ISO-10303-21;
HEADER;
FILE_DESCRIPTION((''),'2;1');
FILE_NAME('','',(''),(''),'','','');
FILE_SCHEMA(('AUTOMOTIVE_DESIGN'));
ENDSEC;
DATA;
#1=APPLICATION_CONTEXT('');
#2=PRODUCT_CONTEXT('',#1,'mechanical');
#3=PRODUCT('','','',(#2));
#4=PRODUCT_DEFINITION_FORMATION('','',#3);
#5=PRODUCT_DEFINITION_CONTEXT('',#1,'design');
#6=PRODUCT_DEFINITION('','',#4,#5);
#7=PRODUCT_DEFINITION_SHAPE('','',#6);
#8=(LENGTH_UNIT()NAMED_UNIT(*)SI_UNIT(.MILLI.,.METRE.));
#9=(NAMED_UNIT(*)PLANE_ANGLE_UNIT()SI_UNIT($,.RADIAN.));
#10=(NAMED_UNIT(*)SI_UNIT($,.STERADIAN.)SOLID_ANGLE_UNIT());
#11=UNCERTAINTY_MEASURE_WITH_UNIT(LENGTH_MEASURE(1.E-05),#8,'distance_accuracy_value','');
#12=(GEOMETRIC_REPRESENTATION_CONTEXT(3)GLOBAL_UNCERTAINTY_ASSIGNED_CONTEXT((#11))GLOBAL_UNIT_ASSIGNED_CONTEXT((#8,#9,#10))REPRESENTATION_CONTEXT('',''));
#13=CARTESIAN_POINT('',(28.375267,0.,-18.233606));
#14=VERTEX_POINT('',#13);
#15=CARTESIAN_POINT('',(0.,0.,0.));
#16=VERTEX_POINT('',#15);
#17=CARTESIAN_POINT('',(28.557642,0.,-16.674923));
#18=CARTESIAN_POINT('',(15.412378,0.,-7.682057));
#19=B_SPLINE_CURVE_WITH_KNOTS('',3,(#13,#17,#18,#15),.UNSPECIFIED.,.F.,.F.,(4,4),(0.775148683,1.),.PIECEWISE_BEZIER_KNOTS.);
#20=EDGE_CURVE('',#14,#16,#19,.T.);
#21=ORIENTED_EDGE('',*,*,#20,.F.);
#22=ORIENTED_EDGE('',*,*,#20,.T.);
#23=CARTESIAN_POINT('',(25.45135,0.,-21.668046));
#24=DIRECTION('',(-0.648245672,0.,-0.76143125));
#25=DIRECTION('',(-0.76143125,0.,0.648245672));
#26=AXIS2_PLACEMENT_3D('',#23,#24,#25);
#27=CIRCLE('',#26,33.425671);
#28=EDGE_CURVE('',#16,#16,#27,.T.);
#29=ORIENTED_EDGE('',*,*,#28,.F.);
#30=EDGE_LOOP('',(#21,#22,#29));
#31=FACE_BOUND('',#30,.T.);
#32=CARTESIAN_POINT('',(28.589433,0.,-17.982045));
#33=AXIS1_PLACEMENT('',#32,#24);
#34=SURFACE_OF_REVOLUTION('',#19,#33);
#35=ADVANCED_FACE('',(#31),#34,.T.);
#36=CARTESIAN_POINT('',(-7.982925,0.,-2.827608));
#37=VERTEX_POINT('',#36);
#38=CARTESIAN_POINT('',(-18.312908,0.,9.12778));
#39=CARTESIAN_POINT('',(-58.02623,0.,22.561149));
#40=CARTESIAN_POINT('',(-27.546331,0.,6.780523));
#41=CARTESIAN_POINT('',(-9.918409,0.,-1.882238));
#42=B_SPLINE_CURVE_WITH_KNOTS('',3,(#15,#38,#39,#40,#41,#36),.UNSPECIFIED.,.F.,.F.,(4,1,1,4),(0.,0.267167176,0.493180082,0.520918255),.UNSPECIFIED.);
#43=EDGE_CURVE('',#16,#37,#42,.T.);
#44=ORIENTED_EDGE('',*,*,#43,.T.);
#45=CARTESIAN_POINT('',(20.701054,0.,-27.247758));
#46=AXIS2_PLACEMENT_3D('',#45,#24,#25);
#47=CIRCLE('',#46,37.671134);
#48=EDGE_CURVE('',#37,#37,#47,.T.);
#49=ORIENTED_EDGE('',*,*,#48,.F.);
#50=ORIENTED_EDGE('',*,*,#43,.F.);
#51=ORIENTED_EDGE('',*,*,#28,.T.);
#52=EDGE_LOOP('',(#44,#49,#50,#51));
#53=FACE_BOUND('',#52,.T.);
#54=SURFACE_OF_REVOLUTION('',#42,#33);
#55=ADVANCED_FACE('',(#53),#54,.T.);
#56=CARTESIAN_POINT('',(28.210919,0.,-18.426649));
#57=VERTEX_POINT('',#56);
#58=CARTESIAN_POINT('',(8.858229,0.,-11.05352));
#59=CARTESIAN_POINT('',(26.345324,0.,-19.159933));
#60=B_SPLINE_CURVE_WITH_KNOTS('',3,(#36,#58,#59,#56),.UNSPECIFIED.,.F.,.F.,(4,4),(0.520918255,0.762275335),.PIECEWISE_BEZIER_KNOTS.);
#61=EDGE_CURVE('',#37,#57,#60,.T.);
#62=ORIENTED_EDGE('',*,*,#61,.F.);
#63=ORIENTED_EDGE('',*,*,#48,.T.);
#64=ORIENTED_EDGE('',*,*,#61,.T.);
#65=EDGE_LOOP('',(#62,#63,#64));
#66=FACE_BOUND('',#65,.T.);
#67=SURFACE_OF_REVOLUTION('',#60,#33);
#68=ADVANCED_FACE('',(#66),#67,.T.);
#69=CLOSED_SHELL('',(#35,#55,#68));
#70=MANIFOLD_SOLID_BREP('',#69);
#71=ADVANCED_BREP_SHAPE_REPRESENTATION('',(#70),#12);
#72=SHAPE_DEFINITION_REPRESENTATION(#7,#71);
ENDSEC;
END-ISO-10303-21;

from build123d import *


with BuildPart() as f1:
    # F0 (on Front) → F1 (revolve)
    with BuildSketch(Plane.XZ):
        with BuildLine():
            add(Edge.make_bspline(
                [(28.3752667298, -18.2336055812), (28.5576422906, -16.674923196), (15.4123778535, -7.6820567145), (0, 0)],
                knots=[0.7751486832, 0.7751486832, 0.7751486832, 0.7751486832, 1, 1, 1, 1], degree=3))
            Line((0, 0), (-7.9829249975, -2.827608394))
            add(Edge.make_bspline(
                [(-7.9829249975, -2.827608394), (8.8582287699, -11.0535195931), (26.34532413, -19.1599334816), (28.2109191841, -18.4266486858)],
                knots=[0.5209182554, 0.5209182554, 0.5209182554, 0.5209182554, 0.7622753346, 0.7622753346, 0.7622753346, 0.7622753346], degree=3))
            Line((28.2109191841, -18.4266486858), (28.3752667298, -18.2336055812))
        make_face()
        with BuildLine():
            Line((-7.9829249975, -2.827608394), (0, 0))
            add(Edge.make_bspline(
                [(0, 0), (-18.3129079586, 9.1277802089), (-58.0262297503, 22.5611489773), (-27.5463307837, 6.7805226556), (-9.9184093501, -1.8822383421), (-7.9829249975, -2.827608394)],
                knots=[0, 0, 0, 0, 0.2671671761, 0.4931800816, 0.5209182554, 0.5209182554, 0.5209182554, 0.5209182554], degree=3))
        make_face()
    revolve(axis=Axis((28.5894330591, 0, -17.9820451885), (-0.6482456723, 0, -0.7614312499)))


solid = f1.part
